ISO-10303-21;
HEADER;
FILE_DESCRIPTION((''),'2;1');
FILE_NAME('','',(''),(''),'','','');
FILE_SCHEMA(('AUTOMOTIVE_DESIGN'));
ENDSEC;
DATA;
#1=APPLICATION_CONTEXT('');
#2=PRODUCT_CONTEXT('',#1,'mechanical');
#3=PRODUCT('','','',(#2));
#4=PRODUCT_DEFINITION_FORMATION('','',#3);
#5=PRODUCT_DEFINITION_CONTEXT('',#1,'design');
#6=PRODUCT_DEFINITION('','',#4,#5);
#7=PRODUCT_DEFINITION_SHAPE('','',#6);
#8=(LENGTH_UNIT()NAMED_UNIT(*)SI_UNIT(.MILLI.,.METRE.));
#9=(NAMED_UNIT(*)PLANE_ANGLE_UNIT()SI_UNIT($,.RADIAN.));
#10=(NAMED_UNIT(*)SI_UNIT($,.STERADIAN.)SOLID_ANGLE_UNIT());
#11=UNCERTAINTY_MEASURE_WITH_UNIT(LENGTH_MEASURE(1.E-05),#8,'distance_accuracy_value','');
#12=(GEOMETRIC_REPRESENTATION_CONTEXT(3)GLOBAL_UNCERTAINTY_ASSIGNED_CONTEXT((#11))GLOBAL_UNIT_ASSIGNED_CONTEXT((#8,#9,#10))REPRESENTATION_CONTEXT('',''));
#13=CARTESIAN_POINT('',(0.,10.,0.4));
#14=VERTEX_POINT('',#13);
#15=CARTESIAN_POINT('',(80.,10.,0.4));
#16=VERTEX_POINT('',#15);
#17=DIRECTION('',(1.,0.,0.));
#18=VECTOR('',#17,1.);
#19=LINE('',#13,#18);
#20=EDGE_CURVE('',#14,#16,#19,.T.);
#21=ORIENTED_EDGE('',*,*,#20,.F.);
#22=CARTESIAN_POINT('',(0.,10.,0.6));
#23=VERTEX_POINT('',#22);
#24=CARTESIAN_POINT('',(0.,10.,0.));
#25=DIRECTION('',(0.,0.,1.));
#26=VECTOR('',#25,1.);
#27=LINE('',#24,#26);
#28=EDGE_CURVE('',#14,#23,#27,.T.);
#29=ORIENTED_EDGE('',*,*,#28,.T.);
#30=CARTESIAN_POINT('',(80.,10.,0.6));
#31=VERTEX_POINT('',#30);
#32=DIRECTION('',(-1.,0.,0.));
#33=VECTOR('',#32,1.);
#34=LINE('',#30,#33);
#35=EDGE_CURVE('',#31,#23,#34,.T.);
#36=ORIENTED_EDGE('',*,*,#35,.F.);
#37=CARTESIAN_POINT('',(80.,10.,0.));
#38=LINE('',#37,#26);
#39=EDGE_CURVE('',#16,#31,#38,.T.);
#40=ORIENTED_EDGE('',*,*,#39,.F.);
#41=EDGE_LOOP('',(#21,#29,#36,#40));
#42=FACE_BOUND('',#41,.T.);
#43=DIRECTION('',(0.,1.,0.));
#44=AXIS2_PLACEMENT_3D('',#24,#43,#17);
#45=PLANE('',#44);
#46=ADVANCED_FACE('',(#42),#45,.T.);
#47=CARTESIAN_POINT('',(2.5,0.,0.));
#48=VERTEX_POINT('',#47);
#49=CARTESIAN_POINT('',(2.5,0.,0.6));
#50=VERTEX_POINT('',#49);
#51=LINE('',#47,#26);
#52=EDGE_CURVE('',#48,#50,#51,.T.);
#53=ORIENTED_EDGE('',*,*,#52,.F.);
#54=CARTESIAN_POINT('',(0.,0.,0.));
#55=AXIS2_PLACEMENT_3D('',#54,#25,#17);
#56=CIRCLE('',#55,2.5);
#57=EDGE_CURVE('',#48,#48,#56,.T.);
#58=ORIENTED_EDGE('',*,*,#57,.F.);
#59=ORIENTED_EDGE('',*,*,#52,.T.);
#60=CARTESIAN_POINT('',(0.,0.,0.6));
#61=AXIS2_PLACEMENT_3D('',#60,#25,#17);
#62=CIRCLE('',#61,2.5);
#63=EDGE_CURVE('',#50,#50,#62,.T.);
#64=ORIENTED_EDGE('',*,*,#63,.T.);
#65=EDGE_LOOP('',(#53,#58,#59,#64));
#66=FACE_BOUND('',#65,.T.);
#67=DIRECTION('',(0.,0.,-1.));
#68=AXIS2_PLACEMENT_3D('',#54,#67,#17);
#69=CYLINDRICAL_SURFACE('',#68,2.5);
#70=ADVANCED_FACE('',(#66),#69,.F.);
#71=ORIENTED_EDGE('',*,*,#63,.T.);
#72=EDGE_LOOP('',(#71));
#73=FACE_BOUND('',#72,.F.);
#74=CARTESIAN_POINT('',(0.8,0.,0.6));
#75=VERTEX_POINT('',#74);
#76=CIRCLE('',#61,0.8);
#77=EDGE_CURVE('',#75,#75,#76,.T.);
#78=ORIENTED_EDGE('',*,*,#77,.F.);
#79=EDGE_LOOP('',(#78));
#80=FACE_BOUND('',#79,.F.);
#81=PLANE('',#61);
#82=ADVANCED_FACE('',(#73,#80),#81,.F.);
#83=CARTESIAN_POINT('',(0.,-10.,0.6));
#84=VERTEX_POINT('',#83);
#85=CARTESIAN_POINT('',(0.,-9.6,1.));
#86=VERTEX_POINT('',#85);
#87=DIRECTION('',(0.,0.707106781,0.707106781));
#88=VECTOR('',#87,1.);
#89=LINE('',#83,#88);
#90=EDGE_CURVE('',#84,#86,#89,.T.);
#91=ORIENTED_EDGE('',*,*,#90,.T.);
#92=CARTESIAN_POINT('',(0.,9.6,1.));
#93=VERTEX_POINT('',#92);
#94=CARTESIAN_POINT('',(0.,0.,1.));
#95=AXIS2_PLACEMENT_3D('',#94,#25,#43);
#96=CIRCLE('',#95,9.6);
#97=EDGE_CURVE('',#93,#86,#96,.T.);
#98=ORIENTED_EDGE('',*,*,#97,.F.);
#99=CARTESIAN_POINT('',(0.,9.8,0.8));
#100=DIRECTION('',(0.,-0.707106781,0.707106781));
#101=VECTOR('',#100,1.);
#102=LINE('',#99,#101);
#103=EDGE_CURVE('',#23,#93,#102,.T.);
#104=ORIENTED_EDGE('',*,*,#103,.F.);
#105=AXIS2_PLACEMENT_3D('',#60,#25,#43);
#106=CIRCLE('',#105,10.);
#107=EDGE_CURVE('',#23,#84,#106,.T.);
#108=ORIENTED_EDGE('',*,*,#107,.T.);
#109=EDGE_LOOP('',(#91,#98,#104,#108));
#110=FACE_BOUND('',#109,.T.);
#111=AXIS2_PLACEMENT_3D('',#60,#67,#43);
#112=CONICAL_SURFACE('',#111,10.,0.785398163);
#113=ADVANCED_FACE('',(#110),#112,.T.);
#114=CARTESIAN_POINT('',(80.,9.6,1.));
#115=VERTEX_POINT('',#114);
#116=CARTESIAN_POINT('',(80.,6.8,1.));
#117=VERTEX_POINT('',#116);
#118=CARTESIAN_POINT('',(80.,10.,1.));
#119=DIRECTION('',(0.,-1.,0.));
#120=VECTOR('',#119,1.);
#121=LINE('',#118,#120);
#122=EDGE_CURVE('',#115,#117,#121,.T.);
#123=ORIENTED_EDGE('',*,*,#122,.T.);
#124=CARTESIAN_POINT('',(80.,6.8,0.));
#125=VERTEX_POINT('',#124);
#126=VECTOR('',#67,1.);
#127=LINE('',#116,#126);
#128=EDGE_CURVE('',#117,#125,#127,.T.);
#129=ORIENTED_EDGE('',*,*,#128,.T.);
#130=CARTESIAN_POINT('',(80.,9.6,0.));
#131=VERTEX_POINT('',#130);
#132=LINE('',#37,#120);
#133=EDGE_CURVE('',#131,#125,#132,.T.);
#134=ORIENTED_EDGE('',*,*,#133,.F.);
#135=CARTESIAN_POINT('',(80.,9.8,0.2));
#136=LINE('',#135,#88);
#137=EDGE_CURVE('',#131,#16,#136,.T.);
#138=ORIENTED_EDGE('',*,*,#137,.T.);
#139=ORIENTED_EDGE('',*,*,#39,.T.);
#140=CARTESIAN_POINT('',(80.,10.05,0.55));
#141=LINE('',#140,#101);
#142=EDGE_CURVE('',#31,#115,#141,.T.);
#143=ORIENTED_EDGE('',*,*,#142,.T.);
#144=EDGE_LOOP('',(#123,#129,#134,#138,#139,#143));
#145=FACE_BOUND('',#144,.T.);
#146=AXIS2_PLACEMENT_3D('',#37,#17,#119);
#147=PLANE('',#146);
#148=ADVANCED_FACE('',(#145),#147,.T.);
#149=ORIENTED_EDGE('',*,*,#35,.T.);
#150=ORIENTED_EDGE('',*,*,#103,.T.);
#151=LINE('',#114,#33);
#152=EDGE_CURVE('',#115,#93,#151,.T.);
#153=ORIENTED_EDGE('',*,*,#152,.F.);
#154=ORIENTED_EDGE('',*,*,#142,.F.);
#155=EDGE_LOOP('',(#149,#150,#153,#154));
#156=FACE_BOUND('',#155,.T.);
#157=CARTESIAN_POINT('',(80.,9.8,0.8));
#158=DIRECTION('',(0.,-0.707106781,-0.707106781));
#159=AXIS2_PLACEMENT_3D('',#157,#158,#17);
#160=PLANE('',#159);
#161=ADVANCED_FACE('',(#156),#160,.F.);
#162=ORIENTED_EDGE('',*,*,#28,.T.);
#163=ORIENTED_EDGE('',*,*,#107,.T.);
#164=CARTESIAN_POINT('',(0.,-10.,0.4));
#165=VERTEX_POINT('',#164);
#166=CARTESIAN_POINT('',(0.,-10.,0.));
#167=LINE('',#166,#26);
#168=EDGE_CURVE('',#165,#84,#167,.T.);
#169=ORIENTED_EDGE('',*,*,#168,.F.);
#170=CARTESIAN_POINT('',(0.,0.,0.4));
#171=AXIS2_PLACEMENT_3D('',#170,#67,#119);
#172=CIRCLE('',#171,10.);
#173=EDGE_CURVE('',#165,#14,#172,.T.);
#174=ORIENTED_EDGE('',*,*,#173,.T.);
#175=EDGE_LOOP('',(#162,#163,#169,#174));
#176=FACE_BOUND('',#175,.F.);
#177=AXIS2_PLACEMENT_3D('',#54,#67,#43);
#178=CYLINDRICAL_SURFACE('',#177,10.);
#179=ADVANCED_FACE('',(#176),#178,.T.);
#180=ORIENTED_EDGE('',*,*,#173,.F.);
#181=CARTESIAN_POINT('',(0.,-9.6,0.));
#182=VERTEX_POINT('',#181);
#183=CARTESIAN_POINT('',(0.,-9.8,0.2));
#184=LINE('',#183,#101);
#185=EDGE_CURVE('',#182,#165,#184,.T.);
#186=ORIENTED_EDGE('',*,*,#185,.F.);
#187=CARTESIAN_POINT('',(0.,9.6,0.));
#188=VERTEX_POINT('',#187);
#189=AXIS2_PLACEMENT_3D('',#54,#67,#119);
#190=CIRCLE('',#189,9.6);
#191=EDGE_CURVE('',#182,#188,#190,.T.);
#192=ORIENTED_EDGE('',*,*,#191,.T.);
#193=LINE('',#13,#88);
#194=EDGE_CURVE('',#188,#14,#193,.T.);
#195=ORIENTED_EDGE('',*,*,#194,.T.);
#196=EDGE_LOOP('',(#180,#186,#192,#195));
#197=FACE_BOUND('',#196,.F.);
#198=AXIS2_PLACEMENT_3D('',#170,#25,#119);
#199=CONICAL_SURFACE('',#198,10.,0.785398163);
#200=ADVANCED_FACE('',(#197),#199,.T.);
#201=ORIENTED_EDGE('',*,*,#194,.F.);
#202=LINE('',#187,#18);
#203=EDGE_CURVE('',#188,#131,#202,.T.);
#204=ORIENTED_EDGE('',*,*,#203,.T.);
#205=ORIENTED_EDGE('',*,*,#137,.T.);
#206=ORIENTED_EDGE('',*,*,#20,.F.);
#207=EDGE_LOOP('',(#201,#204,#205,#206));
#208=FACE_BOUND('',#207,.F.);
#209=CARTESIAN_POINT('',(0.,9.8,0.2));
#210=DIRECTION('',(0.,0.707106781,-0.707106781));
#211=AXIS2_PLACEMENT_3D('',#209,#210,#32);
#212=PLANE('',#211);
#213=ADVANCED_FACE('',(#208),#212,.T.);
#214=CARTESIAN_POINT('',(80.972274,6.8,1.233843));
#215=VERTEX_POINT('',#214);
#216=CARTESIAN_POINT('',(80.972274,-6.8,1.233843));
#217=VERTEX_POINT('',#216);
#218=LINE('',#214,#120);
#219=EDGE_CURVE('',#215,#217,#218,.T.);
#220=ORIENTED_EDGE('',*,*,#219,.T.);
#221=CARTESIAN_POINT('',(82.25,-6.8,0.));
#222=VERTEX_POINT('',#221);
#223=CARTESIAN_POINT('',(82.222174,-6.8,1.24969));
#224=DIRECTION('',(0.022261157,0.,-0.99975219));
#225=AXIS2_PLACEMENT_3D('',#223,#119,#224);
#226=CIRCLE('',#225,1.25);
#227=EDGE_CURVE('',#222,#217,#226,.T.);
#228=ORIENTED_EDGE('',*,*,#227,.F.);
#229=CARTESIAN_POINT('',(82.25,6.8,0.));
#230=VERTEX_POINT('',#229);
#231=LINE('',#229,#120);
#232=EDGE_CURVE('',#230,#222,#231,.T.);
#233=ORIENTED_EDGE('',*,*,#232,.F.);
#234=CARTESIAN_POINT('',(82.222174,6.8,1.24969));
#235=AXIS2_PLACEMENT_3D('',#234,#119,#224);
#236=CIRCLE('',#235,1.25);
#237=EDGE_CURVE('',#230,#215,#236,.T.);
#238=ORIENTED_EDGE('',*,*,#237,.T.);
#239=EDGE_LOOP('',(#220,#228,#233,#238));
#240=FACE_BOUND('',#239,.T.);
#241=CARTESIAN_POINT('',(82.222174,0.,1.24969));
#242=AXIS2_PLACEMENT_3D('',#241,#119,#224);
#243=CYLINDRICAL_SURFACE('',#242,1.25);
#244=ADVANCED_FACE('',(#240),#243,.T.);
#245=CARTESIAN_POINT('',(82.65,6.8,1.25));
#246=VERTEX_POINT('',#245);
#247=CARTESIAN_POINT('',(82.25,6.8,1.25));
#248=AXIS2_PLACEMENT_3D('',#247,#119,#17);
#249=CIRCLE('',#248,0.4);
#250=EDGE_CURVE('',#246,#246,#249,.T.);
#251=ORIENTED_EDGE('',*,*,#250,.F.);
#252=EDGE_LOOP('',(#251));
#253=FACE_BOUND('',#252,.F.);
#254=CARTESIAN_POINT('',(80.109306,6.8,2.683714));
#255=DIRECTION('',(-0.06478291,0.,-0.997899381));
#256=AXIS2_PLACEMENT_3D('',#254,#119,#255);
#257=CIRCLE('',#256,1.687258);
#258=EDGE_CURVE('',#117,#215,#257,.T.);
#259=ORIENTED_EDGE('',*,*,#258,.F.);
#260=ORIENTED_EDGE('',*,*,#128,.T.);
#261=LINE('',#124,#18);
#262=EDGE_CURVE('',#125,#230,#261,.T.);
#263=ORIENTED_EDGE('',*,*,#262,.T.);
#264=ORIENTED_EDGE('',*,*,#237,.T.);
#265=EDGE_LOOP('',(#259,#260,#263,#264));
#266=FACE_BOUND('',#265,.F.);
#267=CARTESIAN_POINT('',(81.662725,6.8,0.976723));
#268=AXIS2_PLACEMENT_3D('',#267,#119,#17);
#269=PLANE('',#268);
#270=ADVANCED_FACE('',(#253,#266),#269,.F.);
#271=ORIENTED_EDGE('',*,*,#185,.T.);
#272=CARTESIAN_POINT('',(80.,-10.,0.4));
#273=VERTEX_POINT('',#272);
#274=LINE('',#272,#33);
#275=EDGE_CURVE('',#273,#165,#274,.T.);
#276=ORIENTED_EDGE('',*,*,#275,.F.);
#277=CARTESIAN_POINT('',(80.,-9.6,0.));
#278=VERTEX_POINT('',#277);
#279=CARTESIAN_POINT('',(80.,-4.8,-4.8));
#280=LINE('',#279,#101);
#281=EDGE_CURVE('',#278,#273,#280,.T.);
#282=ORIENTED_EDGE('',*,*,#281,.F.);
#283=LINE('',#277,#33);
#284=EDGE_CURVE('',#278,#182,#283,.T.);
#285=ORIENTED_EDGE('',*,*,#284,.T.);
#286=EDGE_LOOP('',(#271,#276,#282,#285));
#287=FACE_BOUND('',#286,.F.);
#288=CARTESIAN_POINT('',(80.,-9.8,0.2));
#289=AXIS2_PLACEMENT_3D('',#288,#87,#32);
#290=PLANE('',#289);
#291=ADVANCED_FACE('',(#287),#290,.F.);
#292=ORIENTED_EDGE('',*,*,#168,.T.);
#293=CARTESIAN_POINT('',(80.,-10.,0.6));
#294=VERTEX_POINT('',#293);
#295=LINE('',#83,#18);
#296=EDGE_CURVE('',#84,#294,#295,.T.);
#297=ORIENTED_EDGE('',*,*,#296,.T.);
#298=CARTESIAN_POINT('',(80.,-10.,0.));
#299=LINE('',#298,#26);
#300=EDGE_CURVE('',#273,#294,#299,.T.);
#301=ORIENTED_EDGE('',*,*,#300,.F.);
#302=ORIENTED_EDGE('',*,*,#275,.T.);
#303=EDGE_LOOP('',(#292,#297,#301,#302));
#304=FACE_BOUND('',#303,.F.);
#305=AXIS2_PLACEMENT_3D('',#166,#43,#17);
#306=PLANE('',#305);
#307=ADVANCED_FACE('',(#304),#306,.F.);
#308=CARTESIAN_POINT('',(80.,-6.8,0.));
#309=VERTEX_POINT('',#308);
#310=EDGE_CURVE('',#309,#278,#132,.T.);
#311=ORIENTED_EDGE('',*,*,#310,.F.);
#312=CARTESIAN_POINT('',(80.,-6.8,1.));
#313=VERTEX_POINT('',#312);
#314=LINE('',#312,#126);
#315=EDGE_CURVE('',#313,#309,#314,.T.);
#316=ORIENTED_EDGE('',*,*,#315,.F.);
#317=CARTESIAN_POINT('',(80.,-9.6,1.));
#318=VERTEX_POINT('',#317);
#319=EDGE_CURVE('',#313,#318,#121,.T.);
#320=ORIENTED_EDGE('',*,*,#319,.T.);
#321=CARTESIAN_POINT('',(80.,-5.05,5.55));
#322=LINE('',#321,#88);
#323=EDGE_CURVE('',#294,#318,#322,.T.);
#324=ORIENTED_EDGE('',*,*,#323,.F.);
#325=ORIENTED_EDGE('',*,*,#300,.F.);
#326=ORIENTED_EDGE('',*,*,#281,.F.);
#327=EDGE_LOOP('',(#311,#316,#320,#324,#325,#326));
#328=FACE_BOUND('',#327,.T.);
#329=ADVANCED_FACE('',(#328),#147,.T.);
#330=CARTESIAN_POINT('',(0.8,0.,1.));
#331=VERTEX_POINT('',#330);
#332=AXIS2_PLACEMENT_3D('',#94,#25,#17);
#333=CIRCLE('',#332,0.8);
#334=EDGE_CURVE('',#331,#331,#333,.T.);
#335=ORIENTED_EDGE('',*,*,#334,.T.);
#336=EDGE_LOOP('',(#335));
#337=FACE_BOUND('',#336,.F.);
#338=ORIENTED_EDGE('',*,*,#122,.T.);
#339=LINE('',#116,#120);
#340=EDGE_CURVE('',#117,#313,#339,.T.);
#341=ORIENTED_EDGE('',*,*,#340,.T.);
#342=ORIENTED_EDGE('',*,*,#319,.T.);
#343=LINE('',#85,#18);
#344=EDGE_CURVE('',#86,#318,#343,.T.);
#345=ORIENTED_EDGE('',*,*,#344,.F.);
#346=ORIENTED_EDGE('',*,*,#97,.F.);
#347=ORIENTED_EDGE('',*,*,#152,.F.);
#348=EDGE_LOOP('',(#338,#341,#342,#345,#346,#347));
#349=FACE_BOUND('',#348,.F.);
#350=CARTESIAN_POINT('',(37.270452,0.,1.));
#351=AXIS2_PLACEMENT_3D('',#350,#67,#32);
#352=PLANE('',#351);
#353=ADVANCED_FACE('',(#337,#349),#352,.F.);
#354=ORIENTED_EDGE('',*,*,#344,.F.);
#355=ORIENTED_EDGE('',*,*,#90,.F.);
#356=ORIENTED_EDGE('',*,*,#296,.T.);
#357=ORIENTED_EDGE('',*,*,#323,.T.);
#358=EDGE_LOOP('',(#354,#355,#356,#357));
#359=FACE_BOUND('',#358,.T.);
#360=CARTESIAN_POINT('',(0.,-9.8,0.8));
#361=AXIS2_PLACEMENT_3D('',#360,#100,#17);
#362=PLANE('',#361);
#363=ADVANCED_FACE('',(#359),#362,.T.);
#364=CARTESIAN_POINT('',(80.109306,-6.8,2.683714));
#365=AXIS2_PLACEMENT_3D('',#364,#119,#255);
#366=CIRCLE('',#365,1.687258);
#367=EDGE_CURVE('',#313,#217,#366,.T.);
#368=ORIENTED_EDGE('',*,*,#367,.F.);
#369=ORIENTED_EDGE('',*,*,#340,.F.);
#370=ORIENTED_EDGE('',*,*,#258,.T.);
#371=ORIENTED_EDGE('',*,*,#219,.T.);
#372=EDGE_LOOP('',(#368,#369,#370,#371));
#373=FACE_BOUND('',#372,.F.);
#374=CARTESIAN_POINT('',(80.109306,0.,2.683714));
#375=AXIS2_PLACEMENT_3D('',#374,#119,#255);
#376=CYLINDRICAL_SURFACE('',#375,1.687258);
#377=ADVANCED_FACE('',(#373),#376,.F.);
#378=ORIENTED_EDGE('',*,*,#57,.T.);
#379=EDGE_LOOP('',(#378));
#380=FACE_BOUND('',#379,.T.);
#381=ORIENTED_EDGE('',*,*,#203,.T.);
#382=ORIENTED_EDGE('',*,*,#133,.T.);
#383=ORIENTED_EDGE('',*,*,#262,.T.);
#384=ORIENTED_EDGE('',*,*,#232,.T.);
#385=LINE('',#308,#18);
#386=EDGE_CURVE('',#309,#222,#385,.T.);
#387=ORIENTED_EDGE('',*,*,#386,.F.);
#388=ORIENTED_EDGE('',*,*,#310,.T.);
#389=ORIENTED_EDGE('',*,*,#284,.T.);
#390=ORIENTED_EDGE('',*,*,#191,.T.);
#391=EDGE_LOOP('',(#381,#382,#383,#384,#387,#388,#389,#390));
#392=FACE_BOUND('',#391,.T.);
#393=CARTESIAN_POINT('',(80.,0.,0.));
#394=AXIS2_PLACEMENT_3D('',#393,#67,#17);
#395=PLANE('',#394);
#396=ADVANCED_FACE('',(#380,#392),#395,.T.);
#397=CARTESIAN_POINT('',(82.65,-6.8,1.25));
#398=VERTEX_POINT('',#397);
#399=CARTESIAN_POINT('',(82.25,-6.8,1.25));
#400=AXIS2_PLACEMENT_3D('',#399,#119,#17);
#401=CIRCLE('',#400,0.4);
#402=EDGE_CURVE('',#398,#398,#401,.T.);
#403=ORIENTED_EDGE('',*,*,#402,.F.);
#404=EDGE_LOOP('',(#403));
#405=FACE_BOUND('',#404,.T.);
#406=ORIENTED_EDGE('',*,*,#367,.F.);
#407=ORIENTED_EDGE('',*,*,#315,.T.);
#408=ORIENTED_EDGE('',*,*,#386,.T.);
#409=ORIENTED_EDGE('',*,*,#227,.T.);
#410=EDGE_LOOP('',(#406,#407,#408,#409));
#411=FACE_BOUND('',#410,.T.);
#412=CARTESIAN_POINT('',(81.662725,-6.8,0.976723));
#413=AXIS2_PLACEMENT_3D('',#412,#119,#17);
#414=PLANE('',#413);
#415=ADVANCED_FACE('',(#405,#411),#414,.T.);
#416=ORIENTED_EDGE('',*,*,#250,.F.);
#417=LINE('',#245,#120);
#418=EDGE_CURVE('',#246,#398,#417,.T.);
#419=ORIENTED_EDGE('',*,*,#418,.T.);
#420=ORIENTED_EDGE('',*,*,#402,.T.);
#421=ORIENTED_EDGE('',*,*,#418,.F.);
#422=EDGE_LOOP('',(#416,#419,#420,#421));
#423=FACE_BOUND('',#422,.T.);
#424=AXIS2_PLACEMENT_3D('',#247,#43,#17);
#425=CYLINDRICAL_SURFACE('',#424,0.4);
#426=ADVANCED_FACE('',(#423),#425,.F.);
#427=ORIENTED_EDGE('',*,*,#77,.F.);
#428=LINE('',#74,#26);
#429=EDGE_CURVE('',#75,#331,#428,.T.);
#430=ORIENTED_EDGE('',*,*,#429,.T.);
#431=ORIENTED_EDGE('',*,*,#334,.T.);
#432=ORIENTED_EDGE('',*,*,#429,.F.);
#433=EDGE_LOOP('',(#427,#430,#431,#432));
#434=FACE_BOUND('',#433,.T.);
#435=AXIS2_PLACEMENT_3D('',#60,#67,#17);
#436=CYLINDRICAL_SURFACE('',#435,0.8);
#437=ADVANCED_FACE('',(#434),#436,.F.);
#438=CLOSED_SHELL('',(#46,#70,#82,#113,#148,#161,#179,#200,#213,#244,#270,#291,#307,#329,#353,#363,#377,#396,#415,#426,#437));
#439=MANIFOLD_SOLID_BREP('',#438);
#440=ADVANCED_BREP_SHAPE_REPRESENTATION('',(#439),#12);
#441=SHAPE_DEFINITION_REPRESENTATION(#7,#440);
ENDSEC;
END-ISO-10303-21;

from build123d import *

# Parameters (mm, degrees)
PAD_DEPTH         = 1
PAD001_DEPTH      = 6.8
PAD001_DEPTH_BACK = 6.8
CYLINDER_R        = 0.4
CYLINDER_DEPTH    = 13.6
CYLINDER003_R     = 2.5
CYLINDER003_DEPTH = 0.6
CYLINDER004_R     = 0.8
CYLINDER004_DEPTH = 0.4
CHAMFER_SIZE      = 0.4


with BuildPart() as part:
    # Sketch → Pad (new body)
    with BuildSketch(Plane.XY):
        with BuildLine():
            Line((0, 10), (80, 10))
            Line((80, 10), (80, -10))
            Line((0, -10), (80, -10))
            ThreePointArc((0, 10), (-10, 0), (0, -10))
        make_face()
    extrude(amount=PAD_DEPTH)

    # Sketch003 (on Sketch) → Pad001 (join, two sides)
    with BuildSketch(Plane.XZ) as pad001_sk:
        with BuildLine():
            Line((80, 0), (82.25, 0))
            ThreePointArc((82.25, 0), (83.090481, 2.14888), (80.972274, 1.233843))
            ThreePointArc((80, 1), (80.503859, 1.043236), (80.972274, 1.233843))
            Line((80, 1), (80, 0))
        make_face()
    extrude(amount=PAD001_DEPTH)
    extrude(pad001_sk.sketch, amount=-PAD001_DEPTH_BACK)

    # Cylinder → Cylinder (cut)
    with BuildSketch(Plane(origin=(82.25, 6.8, 1.25), x_dir=(1, 0, 0), z_dir=(0, -1, 0))):
        Circle(CYLINDER_R)
    extrude(amount=CYLINDER_DEPTH, mode=Mode.SUBTRACT)

    # Cylinder003 → Cylinder003 (cut)
    with BuildSketch(Plane.XY):
        Circle(CYLINDER003_R)
    extrude(amount=CYLINDER003_DEPTH, mode=Mode.SUBTRACT)

    # Cylinder004 → Cylinder004 (cut)
    with BuildSketch(Plane.XY.offset(0.6)):
        Circle(CYLINDER004_R)
    extrude(amount=CYLINDER004_DEPTH, mode=Mode.SUBTRACT)

    # Chamfer
    chamfer_edges = [part.edges().sort_by_distance(p)[0] for p in [
        (40, -10, 1),
        (-10, 0, 1),
        (40, 10, 1),
        (40, 10, 0),
        (-10, 0, 0),
        (40, -10, 0),
    ]]
    chamfer(chamfer_edges, length=CHAMFER_SIZE)


solid = part.part
